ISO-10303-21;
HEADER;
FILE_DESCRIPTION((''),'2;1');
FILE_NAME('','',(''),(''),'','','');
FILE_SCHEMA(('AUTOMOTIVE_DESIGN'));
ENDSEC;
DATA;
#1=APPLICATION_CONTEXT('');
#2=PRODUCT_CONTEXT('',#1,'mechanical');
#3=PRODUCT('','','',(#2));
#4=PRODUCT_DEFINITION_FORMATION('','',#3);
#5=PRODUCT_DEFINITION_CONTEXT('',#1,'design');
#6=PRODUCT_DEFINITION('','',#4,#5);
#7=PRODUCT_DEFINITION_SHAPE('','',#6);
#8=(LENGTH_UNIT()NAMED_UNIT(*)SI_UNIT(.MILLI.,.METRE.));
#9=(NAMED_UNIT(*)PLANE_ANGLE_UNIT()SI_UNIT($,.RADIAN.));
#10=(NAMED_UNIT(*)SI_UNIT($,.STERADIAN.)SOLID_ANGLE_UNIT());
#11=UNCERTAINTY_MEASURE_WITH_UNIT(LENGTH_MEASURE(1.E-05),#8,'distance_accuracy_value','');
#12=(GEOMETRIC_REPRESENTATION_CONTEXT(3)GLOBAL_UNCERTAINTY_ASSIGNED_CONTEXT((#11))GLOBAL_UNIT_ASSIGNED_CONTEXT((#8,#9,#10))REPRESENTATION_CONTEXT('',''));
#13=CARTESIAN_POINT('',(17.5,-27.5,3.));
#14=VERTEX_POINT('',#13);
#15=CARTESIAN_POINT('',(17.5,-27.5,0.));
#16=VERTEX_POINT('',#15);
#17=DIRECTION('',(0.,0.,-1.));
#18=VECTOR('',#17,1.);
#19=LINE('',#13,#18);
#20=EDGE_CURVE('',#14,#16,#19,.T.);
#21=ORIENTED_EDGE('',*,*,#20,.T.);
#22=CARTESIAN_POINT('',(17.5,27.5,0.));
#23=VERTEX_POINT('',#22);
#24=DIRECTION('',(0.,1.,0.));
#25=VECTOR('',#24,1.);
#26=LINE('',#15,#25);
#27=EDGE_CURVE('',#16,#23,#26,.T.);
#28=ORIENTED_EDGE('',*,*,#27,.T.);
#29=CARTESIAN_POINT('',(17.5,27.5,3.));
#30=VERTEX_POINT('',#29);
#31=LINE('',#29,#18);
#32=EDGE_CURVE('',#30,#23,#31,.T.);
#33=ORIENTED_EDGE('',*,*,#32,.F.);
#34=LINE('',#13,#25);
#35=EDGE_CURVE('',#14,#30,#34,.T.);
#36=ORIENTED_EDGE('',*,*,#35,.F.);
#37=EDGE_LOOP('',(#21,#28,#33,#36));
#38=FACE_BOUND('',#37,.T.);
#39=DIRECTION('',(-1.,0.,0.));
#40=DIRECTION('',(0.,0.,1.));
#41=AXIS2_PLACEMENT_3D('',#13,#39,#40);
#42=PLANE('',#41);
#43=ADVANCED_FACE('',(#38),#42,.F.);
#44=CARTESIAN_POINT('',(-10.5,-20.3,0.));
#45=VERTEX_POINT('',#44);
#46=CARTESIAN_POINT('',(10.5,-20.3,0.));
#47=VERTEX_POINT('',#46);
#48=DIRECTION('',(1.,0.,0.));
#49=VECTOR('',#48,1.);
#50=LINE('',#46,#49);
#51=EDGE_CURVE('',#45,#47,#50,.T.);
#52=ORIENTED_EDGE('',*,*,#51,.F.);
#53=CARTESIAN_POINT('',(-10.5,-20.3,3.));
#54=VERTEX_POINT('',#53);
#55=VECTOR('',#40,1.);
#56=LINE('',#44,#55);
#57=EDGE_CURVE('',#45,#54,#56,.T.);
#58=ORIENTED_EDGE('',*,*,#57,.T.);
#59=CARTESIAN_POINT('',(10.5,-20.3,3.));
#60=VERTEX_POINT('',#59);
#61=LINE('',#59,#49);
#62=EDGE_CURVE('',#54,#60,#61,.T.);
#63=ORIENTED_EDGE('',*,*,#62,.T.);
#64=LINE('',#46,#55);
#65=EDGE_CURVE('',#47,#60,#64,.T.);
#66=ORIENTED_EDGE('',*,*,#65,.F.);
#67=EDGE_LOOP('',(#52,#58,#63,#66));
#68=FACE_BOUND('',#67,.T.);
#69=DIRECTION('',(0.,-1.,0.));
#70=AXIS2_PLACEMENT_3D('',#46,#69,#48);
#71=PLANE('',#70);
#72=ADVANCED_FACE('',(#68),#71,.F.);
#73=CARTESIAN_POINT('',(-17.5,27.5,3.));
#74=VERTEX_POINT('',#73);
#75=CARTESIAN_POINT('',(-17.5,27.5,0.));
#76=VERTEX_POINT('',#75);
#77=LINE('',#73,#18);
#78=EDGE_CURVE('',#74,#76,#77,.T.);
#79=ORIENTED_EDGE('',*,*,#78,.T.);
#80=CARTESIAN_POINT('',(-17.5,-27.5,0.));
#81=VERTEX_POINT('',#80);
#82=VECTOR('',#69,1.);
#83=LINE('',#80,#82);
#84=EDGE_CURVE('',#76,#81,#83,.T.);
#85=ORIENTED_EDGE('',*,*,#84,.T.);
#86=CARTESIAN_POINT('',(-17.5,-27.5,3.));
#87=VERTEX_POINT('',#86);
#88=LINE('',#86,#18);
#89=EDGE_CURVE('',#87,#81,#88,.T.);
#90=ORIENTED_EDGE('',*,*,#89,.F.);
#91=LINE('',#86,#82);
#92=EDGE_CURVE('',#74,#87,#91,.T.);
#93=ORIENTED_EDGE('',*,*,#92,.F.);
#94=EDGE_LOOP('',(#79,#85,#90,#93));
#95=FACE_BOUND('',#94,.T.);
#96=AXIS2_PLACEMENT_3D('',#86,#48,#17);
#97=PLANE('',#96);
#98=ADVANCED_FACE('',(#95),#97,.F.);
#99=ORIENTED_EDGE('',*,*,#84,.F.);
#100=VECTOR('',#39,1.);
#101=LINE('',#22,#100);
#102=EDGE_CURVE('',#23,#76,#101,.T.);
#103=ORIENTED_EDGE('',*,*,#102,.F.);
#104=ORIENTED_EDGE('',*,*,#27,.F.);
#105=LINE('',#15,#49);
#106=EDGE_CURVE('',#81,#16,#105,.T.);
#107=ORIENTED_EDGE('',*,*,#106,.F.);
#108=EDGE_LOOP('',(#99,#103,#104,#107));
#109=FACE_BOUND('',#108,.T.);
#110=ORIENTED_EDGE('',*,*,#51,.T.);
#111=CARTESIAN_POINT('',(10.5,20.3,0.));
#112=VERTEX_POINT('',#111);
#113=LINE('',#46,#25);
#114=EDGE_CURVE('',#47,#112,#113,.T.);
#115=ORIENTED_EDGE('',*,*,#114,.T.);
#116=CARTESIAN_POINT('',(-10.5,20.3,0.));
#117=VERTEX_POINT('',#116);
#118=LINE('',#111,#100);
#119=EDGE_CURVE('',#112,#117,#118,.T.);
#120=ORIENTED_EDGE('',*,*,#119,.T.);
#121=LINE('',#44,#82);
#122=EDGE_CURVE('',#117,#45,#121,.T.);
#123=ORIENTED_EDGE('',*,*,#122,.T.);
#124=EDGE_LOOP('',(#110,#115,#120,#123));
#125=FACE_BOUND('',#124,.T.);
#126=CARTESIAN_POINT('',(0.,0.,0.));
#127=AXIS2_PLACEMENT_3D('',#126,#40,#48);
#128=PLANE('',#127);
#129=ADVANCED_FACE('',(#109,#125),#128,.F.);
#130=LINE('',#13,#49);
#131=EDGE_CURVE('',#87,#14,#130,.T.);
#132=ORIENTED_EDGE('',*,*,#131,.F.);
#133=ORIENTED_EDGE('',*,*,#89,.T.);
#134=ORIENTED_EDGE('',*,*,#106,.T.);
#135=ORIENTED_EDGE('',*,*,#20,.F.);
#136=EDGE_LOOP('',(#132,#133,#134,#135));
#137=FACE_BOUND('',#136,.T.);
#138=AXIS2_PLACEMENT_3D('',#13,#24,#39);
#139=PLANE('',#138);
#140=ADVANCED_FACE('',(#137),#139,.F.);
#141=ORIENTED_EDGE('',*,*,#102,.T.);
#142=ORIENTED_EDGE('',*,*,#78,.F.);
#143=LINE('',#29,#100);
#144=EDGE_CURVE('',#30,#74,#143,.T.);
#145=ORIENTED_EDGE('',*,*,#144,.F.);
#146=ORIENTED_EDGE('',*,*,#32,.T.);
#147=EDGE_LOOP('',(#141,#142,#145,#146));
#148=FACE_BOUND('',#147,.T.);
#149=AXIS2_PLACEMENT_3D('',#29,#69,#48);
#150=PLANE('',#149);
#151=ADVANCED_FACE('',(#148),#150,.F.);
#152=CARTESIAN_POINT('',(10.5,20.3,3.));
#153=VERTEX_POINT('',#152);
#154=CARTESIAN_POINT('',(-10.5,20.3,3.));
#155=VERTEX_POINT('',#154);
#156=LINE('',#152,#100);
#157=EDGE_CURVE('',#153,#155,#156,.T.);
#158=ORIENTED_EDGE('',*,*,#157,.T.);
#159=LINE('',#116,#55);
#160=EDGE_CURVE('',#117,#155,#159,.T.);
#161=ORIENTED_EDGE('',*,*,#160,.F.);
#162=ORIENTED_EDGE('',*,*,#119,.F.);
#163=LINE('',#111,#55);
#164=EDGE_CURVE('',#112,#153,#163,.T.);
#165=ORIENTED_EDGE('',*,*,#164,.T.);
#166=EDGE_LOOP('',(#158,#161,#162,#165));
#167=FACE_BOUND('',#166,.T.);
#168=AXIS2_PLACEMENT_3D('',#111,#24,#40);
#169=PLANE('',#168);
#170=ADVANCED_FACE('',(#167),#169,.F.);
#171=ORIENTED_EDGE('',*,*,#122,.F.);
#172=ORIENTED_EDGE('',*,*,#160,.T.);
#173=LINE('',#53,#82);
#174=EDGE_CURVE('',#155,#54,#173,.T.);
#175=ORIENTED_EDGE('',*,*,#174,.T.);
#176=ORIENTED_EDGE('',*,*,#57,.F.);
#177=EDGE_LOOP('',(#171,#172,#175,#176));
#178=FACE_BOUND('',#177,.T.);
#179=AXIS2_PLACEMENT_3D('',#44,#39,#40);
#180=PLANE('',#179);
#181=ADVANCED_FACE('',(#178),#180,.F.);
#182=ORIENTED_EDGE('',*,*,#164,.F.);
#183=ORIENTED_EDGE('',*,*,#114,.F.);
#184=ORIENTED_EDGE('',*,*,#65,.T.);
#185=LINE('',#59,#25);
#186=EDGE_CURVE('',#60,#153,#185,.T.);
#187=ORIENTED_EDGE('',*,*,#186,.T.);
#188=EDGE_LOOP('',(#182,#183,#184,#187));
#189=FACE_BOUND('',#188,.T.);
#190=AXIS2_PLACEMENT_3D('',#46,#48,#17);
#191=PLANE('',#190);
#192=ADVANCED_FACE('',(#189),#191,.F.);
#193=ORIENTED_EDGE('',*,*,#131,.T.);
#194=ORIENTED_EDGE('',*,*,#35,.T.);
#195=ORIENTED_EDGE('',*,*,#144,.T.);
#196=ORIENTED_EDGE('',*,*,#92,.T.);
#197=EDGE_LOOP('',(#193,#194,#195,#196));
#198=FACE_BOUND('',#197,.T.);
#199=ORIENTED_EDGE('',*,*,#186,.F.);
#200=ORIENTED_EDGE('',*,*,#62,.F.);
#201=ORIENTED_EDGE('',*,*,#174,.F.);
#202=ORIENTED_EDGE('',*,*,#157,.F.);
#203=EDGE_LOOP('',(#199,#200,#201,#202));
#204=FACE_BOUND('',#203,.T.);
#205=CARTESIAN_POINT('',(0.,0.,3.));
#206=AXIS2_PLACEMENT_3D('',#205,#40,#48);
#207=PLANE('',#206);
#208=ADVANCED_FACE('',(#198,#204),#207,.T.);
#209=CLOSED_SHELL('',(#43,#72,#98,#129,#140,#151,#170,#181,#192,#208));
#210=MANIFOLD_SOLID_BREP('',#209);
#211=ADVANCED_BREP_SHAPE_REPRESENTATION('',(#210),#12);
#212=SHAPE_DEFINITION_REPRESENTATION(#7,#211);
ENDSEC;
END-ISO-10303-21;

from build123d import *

# Parameters (mm, degrees)
SKETCH1_W           = 35
SKETCH1_H           = 55
BOSS_EXTRUDE1_DEPTH = 3
SKETCH2_W           = 21
SKETCH2_H           = 40.6
CUT_EXTRUDE1_DEPTH  = 3


with BuildPart() as part:
    # Sketch1 → Boss-Extrude1 (new body)
    with BuildSketch(Plane.XY):
        Rectangle(SKETCH1_W, SKETCH1_H)
    extrude(amount=BOSS_EXTRUDE1_DEPTH)

    # Sketch2 → Cut-Extrude1 (cut)
    with BuildSketch(Plane.XY.offset(3)):
        Rectangle(SKETCH2_W, SKETCH2_H)
    extrude(amount=-CUT_EXTRUDE1_DEPTH, mode=Mode.SUBTRACT)


solid = part.part
